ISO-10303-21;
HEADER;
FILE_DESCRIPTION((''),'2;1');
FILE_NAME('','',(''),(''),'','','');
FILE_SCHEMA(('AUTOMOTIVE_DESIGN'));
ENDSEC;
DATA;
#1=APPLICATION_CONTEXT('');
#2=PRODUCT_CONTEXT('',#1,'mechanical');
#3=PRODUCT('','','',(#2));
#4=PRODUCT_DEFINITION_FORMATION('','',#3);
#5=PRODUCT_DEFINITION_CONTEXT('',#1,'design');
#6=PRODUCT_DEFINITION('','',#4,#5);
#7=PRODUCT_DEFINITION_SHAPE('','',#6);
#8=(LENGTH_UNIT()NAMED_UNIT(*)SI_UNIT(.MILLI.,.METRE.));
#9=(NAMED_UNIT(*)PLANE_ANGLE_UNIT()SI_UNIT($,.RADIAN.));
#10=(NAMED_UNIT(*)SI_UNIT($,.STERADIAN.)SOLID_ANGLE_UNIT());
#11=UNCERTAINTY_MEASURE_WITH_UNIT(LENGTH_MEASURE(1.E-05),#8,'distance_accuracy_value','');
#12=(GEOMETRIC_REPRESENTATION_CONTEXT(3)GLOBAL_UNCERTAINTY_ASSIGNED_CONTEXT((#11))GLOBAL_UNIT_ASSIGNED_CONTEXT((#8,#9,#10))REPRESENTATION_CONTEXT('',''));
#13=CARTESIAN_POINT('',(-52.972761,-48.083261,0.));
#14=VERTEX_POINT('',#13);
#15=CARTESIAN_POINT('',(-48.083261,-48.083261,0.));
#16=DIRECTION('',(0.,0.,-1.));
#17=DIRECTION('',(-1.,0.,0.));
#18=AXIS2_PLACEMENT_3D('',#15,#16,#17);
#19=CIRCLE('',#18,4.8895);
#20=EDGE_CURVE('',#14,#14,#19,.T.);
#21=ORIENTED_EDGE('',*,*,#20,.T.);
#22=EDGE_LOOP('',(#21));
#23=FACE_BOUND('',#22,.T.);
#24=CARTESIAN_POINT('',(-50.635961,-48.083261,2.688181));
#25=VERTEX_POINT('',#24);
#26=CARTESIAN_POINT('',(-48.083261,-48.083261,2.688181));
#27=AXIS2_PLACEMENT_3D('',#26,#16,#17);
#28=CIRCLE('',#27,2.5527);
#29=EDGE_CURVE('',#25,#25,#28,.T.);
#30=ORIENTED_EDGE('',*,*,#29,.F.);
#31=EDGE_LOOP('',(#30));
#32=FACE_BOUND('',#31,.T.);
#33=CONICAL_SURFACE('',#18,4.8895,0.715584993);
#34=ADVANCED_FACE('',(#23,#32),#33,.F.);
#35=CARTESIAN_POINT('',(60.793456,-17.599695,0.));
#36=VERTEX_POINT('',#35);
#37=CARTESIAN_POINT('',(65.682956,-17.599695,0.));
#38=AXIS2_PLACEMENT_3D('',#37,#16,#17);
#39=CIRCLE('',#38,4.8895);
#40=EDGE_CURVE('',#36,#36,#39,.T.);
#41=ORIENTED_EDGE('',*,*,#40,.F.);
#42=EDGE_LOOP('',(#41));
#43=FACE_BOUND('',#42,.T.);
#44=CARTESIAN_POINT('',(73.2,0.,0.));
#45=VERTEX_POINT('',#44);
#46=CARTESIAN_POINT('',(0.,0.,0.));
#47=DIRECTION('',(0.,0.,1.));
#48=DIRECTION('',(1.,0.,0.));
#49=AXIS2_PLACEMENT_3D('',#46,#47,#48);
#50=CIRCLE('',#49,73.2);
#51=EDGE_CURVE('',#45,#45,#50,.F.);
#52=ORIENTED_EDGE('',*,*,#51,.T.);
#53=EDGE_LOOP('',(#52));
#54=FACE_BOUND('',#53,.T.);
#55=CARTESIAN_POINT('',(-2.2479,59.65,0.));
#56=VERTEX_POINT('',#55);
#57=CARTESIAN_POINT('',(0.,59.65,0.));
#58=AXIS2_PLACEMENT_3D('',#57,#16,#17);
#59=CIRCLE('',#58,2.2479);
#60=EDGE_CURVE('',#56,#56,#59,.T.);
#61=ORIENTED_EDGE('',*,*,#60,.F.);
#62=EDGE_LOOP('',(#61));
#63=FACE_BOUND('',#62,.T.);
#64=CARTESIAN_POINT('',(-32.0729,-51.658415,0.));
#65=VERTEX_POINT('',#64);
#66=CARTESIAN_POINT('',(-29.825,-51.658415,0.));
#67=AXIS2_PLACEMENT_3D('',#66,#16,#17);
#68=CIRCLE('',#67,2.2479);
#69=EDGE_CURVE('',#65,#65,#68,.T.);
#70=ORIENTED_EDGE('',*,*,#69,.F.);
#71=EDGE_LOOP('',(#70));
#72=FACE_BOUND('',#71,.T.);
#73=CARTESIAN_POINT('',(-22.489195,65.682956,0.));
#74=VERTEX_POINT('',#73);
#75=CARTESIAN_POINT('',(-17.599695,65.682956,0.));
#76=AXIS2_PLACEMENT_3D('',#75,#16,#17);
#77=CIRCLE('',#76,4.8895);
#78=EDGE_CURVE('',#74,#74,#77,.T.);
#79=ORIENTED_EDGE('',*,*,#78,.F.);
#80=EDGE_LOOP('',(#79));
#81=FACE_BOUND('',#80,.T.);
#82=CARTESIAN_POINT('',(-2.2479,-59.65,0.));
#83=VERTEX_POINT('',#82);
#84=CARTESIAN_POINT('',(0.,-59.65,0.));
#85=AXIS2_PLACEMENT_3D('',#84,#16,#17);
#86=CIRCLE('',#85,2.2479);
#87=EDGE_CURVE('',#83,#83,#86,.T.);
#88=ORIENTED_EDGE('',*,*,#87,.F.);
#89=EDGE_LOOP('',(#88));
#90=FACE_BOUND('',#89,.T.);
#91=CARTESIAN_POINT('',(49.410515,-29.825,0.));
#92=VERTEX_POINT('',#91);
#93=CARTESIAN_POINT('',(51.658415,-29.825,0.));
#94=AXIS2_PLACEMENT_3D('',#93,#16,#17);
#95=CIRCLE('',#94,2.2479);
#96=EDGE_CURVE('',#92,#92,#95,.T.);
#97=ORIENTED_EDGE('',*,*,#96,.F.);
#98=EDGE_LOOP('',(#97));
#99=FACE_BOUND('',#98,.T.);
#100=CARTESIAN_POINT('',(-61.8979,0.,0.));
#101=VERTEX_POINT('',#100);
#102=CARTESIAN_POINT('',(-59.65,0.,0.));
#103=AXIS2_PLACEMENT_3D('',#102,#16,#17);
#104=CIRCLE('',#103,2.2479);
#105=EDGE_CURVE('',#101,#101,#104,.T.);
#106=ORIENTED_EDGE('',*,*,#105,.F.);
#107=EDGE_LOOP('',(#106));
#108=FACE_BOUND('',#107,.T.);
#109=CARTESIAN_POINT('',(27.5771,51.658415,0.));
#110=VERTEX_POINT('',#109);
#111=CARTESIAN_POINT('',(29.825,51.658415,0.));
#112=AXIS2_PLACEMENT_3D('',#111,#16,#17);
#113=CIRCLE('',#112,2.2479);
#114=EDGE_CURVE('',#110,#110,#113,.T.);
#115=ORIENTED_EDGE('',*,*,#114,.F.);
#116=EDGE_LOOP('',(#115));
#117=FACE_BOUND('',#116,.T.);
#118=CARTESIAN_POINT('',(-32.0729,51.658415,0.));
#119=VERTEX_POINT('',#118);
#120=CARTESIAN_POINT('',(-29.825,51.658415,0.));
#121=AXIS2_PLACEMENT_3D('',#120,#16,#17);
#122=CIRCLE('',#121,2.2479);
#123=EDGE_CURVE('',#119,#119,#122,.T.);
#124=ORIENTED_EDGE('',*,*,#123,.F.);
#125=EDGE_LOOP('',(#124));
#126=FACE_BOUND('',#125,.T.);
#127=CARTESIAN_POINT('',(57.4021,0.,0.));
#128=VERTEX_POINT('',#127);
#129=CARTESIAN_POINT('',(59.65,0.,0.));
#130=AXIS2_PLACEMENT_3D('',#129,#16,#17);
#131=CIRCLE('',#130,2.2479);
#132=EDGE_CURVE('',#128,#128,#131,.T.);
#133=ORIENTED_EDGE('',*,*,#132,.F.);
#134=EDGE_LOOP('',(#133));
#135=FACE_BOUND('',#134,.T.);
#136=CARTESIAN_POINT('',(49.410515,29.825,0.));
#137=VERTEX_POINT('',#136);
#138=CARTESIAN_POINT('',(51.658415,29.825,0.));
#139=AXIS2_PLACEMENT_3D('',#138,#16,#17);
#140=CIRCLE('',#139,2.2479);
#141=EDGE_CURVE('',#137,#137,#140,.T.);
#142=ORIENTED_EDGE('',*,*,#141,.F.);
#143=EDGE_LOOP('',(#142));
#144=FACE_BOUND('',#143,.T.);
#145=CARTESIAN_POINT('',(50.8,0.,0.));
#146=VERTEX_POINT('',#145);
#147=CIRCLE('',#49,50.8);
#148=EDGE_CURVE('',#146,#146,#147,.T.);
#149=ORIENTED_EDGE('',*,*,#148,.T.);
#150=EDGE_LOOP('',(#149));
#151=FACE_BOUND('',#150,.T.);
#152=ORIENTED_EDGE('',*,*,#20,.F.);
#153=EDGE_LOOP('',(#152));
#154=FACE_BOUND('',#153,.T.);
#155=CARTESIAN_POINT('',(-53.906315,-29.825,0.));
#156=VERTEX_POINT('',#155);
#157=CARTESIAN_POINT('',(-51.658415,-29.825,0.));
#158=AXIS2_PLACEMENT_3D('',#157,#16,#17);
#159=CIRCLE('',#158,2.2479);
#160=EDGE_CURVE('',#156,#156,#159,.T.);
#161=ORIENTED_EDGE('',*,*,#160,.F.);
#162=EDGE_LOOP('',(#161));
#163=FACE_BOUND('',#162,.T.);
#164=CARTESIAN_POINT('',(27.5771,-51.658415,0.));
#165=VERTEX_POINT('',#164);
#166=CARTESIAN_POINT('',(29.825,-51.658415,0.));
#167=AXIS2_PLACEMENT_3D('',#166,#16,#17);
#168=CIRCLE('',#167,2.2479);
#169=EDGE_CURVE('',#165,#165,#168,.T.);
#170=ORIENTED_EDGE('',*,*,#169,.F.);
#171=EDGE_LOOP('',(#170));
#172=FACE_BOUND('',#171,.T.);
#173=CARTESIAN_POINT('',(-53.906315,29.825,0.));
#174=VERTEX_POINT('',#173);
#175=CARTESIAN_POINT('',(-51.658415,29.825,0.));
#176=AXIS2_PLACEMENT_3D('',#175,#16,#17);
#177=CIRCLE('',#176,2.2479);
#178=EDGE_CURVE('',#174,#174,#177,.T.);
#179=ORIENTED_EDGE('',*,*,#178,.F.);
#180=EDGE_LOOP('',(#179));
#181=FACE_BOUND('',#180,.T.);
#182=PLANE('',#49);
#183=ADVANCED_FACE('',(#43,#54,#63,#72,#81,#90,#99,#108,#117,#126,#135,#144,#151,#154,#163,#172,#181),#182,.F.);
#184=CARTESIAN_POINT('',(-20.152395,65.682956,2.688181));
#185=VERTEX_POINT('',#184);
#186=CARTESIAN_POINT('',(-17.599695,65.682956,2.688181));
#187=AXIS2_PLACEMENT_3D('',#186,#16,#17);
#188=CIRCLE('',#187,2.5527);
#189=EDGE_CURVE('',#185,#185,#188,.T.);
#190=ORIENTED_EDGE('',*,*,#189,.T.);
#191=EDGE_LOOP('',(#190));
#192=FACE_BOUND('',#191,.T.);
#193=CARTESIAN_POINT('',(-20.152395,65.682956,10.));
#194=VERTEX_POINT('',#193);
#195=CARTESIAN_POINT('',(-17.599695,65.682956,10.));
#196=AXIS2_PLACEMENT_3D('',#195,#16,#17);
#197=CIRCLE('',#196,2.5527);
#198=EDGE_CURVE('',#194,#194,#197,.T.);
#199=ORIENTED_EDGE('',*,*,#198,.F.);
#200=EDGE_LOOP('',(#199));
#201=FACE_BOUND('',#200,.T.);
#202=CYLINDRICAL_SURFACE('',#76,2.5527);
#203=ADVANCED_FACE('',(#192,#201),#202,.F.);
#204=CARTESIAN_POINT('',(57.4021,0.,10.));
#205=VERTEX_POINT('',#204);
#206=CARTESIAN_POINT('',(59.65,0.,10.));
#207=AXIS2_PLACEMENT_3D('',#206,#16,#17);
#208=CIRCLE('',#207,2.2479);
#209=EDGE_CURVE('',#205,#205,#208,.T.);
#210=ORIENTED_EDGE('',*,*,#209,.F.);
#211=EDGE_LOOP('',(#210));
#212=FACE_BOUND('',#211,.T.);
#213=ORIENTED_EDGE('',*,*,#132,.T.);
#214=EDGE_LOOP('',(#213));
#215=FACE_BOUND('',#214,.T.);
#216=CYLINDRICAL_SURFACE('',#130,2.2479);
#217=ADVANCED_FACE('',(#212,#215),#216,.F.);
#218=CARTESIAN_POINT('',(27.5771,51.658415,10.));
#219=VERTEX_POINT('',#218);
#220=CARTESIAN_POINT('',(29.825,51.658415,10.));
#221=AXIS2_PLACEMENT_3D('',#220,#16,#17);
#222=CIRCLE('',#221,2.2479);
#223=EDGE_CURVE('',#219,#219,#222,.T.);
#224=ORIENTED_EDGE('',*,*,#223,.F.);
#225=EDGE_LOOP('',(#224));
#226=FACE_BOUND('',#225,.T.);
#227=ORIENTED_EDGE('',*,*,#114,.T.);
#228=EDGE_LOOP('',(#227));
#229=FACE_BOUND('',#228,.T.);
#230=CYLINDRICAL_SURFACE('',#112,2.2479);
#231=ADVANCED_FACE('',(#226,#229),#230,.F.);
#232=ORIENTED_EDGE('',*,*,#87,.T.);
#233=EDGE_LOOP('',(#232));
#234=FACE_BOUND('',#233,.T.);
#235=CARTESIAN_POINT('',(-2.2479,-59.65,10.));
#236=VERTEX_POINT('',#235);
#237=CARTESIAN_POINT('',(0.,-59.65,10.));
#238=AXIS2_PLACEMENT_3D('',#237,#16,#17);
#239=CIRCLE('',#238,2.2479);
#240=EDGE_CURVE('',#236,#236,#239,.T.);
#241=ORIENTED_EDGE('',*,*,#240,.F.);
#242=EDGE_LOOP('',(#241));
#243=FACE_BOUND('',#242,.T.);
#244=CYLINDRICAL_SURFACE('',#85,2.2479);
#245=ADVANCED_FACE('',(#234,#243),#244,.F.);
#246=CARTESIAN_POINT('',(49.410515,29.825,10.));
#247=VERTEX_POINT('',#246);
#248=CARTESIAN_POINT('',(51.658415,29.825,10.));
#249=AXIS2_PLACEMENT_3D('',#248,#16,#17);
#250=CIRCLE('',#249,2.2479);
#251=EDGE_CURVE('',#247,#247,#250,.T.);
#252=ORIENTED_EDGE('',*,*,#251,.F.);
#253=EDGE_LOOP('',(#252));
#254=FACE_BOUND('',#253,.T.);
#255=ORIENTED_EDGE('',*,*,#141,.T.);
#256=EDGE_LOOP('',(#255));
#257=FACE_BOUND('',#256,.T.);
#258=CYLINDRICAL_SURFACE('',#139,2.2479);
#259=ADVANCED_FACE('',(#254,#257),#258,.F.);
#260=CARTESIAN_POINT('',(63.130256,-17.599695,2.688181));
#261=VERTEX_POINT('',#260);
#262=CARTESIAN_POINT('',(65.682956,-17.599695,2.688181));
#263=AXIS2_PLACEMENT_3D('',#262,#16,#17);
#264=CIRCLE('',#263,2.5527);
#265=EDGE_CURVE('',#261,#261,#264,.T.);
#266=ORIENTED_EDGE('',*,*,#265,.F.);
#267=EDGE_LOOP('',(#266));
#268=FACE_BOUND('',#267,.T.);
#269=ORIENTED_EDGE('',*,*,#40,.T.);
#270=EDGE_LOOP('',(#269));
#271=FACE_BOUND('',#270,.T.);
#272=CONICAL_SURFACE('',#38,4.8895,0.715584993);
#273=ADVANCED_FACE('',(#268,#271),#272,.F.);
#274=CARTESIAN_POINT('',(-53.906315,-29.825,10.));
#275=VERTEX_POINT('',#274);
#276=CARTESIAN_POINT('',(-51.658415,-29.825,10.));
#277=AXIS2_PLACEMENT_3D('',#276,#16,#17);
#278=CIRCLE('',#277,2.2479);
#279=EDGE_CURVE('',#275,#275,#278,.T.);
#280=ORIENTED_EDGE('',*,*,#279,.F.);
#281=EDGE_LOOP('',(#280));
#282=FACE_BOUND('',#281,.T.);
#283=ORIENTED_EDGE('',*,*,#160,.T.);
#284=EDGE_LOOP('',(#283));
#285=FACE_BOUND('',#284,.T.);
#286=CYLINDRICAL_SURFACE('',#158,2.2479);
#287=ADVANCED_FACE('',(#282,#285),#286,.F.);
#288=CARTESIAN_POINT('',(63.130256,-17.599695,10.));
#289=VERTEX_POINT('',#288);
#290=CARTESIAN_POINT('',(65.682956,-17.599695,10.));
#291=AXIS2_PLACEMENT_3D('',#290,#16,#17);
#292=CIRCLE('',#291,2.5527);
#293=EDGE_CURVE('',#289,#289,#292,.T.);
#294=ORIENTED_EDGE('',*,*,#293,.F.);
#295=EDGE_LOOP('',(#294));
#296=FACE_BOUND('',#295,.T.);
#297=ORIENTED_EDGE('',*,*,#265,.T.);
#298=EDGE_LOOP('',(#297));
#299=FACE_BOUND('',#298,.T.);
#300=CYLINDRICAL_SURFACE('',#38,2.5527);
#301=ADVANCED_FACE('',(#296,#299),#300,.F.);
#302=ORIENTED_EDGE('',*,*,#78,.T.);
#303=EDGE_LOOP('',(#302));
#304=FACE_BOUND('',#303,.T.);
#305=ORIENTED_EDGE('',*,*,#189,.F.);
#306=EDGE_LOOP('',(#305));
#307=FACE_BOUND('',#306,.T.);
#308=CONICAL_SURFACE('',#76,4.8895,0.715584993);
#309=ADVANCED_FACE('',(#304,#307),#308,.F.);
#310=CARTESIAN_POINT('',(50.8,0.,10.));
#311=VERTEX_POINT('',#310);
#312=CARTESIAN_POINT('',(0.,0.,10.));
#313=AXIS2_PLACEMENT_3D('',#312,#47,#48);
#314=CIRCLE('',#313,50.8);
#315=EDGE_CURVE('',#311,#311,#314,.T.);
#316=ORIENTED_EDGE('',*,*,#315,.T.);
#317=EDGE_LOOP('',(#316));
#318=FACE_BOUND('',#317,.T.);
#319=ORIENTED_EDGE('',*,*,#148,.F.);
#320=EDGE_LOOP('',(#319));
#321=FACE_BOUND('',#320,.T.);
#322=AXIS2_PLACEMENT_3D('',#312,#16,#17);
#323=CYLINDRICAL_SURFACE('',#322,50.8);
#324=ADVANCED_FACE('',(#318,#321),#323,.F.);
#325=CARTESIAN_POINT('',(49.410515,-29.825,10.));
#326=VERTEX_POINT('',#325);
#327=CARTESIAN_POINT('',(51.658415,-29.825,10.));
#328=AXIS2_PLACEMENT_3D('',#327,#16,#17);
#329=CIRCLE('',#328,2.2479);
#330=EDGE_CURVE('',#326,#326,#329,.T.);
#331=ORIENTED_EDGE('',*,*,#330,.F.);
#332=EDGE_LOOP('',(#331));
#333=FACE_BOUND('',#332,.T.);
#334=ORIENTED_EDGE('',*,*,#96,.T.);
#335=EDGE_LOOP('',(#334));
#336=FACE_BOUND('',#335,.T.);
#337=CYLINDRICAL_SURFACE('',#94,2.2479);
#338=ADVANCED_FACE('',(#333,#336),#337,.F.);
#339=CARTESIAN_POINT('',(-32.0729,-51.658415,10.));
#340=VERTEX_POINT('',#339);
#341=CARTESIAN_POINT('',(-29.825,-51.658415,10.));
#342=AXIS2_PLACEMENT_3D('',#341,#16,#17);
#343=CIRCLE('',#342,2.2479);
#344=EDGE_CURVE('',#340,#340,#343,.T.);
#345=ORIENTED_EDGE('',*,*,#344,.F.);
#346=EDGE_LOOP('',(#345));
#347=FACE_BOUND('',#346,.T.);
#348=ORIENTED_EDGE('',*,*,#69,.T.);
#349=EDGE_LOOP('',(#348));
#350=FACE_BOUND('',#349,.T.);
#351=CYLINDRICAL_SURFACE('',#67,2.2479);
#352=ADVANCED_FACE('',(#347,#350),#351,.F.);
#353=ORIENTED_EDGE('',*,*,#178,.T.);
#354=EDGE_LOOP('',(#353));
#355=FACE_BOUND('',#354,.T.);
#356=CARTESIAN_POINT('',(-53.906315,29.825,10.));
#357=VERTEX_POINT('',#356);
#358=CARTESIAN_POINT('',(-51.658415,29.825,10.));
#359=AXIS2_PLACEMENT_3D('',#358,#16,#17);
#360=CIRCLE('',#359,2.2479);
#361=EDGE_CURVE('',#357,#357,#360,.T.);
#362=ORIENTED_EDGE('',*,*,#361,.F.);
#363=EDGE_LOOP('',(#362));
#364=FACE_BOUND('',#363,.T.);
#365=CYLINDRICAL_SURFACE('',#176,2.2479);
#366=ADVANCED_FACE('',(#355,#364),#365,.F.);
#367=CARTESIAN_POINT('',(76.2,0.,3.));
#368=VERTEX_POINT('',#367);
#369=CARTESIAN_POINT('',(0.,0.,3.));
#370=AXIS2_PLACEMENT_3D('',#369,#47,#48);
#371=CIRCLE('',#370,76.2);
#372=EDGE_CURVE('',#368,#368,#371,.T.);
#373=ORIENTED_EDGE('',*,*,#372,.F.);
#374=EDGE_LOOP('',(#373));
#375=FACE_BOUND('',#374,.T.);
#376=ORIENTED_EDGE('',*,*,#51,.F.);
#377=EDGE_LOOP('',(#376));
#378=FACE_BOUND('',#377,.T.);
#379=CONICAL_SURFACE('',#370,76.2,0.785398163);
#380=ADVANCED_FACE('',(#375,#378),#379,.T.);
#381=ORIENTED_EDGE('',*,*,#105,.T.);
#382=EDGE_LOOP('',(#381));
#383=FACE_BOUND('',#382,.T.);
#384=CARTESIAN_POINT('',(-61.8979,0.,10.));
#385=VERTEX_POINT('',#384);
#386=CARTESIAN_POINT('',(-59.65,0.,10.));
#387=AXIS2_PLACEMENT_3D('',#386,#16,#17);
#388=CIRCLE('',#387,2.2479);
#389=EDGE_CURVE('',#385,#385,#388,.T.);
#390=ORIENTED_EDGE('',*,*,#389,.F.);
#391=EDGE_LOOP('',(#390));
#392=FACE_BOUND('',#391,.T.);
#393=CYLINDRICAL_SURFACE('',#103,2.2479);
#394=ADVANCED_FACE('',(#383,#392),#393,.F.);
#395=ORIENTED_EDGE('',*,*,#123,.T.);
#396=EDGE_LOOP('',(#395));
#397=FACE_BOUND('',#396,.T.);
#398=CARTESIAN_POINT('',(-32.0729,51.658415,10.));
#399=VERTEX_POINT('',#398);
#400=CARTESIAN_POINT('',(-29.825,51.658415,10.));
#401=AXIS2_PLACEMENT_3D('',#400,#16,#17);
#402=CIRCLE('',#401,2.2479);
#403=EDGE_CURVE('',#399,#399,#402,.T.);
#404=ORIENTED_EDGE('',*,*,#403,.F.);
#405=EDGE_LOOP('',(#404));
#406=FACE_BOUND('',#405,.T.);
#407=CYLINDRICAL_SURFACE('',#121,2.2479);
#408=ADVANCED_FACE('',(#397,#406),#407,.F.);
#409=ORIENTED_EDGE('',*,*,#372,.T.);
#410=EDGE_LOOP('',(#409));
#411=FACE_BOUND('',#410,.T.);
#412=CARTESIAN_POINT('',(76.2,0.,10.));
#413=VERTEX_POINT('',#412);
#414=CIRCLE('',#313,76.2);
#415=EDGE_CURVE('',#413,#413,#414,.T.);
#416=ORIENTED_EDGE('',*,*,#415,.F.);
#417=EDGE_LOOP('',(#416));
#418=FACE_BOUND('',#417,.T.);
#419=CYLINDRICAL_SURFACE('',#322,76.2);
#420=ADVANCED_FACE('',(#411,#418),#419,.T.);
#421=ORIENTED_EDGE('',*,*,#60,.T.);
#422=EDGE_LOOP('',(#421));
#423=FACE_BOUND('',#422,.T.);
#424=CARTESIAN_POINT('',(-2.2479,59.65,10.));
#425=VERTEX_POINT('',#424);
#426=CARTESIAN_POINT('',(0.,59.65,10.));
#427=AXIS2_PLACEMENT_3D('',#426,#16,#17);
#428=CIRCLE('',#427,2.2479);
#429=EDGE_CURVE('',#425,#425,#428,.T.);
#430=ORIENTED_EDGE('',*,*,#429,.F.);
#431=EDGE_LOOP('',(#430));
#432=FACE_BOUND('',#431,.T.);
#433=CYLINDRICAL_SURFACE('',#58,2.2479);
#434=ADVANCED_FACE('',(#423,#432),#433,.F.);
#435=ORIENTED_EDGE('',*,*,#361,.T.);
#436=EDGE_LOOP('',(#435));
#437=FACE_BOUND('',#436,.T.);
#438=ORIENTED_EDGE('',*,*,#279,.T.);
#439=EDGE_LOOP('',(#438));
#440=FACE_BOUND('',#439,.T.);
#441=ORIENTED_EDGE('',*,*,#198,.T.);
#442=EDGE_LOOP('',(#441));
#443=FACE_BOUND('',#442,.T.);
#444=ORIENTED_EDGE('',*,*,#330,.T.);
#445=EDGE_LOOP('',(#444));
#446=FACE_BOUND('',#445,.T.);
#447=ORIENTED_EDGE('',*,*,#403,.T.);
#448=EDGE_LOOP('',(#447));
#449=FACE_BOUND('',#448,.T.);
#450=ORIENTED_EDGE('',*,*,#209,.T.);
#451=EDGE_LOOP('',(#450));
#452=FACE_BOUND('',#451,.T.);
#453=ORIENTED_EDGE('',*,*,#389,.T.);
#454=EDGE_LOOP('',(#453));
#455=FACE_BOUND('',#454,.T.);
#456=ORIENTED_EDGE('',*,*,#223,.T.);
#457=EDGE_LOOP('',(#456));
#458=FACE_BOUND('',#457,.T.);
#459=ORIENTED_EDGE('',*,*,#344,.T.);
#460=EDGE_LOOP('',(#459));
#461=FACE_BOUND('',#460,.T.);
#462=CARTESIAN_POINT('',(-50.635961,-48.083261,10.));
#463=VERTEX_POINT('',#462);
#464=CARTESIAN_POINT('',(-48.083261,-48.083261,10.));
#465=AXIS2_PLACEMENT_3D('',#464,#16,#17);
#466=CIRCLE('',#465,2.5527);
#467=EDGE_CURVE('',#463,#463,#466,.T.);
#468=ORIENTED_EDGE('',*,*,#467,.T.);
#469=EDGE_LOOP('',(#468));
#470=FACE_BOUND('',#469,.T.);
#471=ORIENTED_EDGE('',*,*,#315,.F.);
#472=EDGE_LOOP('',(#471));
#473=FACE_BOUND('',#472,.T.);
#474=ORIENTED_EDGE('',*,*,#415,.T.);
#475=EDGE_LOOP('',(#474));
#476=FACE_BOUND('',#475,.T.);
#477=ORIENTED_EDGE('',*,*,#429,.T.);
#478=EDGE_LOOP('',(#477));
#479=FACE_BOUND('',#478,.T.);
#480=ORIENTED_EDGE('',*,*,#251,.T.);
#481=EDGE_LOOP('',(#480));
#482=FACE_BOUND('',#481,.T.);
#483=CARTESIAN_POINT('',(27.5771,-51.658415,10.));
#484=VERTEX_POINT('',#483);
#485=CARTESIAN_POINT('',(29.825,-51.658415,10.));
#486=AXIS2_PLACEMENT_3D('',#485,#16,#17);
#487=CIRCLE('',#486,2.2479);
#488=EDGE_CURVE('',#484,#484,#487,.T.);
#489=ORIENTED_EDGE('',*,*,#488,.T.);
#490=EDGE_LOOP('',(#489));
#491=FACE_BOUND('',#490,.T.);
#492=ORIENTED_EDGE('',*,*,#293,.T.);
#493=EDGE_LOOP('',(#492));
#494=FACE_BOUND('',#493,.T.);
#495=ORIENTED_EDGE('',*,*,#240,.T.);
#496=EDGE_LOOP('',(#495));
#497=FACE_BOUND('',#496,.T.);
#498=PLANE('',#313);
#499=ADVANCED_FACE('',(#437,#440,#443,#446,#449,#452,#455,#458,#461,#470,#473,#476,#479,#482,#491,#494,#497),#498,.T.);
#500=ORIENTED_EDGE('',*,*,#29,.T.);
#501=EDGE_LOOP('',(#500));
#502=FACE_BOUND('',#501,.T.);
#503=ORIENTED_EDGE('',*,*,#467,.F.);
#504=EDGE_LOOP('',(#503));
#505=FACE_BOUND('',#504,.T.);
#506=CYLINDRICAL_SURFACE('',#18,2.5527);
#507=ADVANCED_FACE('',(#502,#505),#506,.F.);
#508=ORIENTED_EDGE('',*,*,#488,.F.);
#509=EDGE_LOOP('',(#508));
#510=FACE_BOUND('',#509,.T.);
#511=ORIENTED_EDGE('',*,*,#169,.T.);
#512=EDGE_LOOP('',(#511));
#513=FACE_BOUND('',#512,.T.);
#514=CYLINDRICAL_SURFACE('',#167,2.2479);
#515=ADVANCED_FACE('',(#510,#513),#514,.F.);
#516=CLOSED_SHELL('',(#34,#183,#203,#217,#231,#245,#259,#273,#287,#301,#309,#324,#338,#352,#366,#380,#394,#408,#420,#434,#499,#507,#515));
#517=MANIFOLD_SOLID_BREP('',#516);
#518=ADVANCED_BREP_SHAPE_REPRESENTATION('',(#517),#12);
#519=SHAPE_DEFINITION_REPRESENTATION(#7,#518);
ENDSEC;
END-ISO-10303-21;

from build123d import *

# Parameters (mm, degrees)
ESQUISSE2_R                                       = 76.2
ESQUISSE2_R_2                                     = 50.8
BOSS_EXTRU_1_DEPTH                                = 10
CHANFREIN1_SIZE                                   = 3
D_GAGEMENT_81_D                                   = 4.4958
FRAISAGE_POUR_VIS_T_TE_FRAIS_E_BOMB_E_D           = 5.1054
FRAISAGE_POUR_VIS_T_TE_FRAIS_E_BOMB_E_CSINK_D     = 9.779
FRAISAGE_POUR_VIS_T_TE_FRAIS_E_BOMB_E_CSINK_ANGLE = 82


with BuildPart() as part:
    # Esquisse2 → Boss.-Extru.1 (new body)
    with BuildSketch(Plane.XY):
        Circle(ESQUISSE2_R)
        Circle(ESQUISSE2_R_2, mode=Mode.SUBTRACT)
    extrude(amount=BOSS_EXTRU_1_DEPTH)

    # Chanfrein1
    chanfrein1_edges = [part.edges().sort_by_distance(p)[0] for p in [
        (-76.2, 0, 0),
    ]]
    chamfer(chanfrein1_edges, length=CHANFREIN1_SIZE)

    # Dégagement #81 (through all)
    with Locations(Plane(origin=(0, 0, 0), x_dir=(-1, 0, 0), z_dir=(0, 0, -1))):
        with Locations((0, 59.65), (51.658415336, 29.825), (29.825, 51.658415336), (59.65, 0), (51.658415336, -29.825), (29.825, -51.658415336), (0, -59.65), (-29.825, -51.658415336), (-51.658415336, -29.825), (-59.65, 0), (-51.658415336, 29.825), (-29.825, 51.658415336)):
            Hole(D_GAGEMENT_81_D / 2)

    # Fraisage pour vis à tête fraisée bombée #101 (through all)
    with Locations(Plane(origin=(0, 0, 0), x_dir=(-1, 0, 0), z_dir=(0, 0, -1))):
        with Locations((48.083261121, -48.083261121), (-65.682956188, -17.599695067), (17.599695067, 65.682956188)):
            CounterSinkHole(FRAISAGE_POUR_VIS_T_TE_FRAIS_E_BOMB_E_D / 2, FRAISAGE_POUR_VIS_T_TE_FRAIS_E_BOMB_E_CSINK_D / 2, counter_sink_angle=FRAISAGE_POUR_VIS_T_TE_FRAIS_E_BOMB_E_CSINK_ANGLE)


solid = part.part
